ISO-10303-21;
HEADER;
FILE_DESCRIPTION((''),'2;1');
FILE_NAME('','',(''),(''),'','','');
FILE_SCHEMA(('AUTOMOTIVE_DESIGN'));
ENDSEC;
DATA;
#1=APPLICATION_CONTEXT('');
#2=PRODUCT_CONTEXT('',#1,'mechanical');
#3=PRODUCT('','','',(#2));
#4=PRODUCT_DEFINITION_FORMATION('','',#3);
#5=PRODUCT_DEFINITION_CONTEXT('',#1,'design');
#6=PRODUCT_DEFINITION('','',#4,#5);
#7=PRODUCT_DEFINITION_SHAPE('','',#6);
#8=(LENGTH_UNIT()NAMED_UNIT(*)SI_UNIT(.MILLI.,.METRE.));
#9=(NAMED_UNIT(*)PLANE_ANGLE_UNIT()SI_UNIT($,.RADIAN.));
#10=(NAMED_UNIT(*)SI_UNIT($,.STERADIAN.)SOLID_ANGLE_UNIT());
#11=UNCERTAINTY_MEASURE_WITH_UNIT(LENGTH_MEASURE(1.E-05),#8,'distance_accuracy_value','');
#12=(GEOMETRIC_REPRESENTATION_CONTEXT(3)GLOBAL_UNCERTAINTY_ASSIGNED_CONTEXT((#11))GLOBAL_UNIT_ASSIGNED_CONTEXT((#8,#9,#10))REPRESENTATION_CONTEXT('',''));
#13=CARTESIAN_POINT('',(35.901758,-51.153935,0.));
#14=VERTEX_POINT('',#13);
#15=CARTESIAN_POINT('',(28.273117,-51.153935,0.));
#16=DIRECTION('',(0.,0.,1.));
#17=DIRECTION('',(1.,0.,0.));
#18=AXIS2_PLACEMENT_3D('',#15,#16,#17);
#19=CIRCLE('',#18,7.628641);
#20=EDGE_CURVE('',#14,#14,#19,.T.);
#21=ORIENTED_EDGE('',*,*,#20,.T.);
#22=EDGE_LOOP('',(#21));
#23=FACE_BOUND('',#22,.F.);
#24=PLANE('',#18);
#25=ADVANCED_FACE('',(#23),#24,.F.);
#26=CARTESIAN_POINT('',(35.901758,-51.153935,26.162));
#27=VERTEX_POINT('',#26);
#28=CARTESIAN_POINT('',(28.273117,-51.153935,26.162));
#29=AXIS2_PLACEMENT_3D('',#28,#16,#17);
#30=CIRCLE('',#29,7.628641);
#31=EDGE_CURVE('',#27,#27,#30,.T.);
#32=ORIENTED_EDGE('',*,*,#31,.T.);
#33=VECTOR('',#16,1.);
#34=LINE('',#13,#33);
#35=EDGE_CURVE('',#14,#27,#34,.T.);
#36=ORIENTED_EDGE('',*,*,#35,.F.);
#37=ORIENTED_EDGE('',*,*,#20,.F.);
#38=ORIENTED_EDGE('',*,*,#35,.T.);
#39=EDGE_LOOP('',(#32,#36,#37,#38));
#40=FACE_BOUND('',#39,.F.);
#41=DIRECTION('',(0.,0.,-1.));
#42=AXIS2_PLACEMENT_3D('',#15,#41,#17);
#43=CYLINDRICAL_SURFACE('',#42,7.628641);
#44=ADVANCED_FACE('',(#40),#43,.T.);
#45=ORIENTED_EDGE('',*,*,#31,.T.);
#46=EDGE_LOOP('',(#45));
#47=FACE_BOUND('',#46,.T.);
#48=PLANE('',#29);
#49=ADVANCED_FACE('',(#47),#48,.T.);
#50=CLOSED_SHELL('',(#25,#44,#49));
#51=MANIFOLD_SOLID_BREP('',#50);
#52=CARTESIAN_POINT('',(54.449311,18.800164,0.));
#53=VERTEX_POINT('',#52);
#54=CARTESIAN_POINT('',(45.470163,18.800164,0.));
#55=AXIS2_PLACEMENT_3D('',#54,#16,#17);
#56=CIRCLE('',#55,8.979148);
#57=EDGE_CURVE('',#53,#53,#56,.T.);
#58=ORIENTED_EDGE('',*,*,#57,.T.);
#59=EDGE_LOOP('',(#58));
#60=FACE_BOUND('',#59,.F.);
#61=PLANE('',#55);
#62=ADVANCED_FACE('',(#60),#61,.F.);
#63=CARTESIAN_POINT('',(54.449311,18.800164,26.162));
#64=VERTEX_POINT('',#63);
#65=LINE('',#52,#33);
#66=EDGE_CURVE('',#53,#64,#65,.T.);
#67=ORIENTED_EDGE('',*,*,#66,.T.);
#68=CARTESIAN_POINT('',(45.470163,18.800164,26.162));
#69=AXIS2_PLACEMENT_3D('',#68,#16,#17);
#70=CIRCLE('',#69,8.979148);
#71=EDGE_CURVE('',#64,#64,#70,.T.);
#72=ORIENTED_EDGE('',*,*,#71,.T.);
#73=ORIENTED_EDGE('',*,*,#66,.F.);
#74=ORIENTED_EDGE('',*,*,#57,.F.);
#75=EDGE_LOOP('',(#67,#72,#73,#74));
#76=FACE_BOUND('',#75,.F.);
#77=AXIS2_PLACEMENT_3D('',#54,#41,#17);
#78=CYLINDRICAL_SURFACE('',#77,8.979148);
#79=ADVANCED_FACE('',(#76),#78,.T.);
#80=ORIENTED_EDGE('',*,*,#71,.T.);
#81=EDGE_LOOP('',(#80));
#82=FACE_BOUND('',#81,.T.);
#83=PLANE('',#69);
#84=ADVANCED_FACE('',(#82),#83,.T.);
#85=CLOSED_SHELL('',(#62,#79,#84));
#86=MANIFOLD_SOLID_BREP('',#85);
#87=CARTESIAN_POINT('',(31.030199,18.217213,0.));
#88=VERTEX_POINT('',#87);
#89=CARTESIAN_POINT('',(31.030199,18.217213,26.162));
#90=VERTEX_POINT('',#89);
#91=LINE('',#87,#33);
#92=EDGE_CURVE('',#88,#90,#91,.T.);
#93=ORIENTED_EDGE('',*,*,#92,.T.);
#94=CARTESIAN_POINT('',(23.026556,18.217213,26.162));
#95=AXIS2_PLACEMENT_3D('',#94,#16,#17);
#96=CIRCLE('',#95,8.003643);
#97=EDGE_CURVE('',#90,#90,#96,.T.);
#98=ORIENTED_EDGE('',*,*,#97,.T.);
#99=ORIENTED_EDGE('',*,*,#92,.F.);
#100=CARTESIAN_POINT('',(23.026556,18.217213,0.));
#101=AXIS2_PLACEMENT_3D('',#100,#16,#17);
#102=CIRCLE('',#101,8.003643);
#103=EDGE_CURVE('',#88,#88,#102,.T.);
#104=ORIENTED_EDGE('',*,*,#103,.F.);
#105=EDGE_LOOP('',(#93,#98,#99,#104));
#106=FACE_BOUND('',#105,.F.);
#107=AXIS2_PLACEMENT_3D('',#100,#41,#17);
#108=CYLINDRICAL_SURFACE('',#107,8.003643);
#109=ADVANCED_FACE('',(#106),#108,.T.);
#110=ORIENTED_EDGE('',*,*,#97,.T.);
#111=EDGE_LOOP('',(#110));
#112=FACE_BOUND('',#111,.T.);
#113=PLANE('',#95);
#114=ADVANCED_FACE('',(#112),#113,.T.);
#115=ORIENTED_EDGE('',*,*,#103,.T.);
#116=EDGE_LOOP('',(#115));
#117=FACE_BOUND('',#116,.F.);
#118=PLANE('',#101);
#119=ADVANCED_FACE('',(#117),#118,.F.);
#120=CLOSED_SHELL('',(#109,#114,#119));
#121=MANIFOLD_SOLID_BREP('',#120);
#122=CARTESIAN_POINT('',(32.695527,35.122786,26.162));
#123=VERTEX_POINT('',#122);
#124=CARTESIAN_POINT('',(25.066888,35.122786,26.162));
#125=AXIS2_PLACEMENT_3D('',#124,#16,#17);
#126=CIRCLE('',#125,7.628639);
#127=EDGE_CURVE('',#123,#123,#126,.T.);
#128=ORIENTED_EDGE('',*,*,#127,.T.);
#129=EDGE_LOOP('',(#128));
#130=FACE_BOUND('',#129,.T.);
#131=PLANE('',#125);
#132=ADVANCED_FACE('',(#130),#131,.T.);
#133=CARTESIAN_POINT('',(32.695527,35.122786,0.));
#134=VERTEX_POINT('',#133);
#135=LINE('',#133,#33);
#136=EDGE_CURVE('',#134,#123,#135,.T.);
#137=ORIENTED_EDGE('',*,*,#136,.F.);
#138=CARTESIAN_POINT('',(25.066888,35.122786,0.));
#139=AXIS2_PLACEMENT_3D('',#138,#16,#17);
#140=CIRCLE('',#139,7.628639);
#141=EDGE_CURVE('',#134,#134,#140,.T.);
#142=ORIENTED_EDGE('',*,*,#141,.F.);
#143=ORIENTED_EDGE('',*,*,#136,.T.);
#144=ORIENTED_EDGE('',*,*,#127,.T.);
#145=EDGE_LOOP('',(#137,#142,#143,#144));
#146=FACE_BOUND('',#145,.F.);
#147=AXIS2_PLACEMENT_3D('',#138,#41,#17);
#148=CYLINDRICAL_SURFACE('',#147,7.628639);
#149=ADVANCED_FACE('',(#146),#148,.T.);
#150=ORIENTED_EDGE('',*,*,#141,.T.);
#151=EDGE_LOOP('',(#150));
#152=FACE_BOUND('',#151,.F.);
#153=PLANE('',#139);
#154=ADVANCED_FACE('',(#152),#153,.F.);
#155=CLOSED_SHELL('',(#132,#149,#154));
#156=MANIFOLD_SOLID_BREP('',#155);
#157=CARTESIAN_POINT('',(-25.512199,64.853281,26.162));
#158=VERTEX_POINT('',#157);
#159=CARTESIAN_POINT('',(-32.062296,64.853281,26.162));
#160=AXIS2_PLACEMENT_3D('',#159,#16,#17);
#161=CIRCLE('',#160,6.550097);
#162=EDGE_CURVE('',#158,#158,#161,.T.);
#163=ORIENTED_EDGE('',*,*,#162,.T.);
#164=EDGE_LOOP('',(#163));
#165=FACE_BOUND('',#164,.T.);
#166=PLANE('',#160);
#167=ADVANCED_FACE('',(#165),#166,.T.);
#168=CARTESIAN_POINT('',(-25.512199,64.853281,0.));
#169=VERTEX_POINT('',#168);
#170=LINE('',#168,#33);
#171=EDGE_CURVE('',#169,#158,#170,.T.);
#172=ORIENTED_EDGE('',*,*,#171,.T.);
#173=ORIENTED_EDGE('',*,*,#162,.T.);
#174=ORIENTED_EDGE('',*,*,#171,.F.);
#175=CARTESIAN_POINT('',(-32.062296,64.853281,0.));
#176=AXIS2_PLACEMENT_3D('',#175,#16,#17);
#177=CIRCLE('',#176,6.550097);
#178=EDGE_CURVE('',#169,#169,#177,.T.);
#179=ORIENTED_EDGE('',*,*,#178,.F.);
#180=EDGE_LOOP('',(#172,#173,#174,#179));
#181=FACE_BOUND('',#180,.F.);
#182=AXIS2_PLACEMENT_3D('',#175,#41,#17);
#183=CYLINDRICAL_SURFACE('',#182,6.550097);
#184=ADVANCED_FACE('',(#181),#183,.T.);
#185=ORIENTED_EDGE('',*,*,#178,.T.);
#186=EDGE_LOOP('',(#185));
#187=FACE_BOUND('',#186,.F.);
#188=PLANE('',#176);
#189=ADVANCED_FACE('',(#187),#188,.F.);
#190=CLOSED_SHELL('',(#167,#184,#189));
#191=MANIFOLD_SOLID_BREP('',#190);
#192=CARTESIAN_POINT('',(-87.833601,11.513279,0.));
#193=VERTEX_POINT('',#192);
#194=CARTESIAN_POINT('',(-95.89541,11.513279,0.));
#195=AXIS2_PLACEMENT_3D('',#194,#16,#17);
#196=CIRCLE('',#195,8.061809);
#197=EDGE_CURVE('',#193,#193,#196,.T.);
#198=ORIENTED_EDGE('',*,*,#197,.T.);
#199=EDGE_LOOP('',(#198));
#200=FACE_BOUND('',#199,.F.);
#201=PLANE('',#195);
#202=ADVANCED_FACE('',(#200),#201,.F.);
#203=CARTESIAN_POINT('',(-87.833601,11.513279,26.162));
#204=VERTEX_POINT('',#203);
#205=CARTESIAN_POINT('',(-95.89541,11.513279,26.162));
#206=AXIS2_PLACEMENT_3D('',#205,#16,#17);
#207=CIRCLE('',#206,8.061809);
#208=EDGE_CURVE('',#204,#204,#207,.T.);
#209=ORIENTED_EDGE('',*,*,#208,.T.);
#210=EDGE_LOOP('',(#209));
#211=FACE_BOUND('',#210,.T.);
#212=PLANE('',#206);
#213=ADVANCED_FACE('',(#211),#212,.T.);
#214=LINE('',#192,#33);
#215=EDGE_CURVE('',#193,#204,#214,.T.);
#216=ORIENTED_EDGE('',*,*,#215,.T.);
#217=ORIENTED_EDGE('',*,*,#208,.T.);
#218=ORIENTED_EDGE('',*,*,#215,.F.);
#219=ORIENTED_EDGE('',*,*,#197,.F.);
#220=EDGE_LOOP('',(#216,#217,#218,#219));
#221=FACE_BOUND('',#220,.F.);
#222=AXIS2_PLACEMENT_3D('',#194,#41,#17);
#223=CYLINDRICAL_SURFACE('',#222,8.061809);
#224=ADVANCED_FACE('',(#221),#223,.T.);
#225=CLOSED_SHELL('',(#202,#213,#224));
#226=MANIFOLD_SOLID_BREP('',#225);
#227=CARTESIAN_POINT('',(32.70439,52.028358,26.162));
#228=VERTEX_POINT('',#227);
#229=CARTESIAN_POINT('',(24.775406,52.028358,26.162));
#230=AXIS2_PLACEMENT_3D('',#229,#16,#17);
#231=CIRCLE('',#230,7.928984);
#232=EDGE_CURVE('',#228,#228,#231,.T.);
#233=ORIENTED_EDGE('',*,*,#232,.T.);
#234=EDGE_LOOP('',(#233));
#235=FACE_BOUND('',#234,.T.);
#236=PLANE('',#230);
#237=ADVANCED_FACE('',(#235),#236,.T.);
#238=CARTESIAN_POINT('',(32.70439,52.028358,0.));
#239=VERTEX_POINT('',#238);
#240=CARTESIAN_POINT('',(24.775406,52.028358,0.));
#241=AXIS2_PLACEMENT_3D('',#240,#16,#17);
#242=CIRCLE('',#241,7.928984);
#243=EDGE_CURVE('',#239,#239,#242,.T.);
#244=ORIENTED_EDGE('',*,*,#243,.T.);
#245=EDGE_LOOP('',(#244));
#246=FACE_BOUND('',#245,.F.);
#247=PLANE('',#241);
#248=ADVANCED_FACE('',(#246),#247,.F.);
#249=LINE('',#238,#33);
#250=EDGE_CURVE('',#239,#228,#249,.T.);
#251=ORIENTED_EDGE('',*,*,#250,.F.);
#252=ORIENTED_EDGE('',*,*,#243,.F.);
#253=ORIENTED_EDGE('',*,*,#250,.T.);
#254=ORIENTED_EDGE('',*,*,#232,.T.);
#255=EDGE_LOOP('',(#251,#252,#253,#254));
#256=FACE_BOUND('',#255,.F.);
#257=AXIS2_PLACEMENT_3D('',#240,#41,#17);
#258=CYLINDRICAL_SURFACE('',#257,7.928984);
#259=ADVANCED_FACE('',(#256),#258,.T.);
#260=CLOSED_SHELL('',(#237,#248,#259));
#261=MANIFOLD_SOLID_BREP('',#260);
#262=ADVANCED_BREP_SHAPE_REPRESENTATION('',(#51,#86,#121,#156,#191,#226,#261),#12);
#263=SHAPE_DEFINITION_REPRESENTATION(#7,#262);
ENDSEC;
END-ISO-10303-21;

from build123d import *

# Parameters (mm, degrees)
F0_R     = 7.928984
F0_R_2   = 7.628639
F0_R_3   = 8.003643
F0_R_4   = 8.979148
F0_R_5   = 7.628641
F0_R_6   = 6.550097
F0_R_7   = 8.061809
F1_DEPTH = 26.162


with BuildPart() as f1:
    # F0 (on Top) → F1 (new body)
    with BuildSketch(Plane.XY):
        with Locations((24.775406, 52.028358)):
            Circle(F0_R)
        with Locations((25.066888, 35.122786)):
            Circle(F0_R_2)
        with Locations((23.026556, 18.217213)):
            Circle(F0_R_3)
        with Locations((45.470163, 18.800164)):
            Circle(F0_R_4)
        with Locations((28.273117, -51.153935)):
            Circle(F0_R_5)
        with Locations((-32.062296, 64.853281)):
            Circle(F0_R_6)
        with Locations((-95.89541, 11.513279)):
            Circle(F0_R_7)
    extrude(amount=F1_DEPTH)


solid = f1.part
